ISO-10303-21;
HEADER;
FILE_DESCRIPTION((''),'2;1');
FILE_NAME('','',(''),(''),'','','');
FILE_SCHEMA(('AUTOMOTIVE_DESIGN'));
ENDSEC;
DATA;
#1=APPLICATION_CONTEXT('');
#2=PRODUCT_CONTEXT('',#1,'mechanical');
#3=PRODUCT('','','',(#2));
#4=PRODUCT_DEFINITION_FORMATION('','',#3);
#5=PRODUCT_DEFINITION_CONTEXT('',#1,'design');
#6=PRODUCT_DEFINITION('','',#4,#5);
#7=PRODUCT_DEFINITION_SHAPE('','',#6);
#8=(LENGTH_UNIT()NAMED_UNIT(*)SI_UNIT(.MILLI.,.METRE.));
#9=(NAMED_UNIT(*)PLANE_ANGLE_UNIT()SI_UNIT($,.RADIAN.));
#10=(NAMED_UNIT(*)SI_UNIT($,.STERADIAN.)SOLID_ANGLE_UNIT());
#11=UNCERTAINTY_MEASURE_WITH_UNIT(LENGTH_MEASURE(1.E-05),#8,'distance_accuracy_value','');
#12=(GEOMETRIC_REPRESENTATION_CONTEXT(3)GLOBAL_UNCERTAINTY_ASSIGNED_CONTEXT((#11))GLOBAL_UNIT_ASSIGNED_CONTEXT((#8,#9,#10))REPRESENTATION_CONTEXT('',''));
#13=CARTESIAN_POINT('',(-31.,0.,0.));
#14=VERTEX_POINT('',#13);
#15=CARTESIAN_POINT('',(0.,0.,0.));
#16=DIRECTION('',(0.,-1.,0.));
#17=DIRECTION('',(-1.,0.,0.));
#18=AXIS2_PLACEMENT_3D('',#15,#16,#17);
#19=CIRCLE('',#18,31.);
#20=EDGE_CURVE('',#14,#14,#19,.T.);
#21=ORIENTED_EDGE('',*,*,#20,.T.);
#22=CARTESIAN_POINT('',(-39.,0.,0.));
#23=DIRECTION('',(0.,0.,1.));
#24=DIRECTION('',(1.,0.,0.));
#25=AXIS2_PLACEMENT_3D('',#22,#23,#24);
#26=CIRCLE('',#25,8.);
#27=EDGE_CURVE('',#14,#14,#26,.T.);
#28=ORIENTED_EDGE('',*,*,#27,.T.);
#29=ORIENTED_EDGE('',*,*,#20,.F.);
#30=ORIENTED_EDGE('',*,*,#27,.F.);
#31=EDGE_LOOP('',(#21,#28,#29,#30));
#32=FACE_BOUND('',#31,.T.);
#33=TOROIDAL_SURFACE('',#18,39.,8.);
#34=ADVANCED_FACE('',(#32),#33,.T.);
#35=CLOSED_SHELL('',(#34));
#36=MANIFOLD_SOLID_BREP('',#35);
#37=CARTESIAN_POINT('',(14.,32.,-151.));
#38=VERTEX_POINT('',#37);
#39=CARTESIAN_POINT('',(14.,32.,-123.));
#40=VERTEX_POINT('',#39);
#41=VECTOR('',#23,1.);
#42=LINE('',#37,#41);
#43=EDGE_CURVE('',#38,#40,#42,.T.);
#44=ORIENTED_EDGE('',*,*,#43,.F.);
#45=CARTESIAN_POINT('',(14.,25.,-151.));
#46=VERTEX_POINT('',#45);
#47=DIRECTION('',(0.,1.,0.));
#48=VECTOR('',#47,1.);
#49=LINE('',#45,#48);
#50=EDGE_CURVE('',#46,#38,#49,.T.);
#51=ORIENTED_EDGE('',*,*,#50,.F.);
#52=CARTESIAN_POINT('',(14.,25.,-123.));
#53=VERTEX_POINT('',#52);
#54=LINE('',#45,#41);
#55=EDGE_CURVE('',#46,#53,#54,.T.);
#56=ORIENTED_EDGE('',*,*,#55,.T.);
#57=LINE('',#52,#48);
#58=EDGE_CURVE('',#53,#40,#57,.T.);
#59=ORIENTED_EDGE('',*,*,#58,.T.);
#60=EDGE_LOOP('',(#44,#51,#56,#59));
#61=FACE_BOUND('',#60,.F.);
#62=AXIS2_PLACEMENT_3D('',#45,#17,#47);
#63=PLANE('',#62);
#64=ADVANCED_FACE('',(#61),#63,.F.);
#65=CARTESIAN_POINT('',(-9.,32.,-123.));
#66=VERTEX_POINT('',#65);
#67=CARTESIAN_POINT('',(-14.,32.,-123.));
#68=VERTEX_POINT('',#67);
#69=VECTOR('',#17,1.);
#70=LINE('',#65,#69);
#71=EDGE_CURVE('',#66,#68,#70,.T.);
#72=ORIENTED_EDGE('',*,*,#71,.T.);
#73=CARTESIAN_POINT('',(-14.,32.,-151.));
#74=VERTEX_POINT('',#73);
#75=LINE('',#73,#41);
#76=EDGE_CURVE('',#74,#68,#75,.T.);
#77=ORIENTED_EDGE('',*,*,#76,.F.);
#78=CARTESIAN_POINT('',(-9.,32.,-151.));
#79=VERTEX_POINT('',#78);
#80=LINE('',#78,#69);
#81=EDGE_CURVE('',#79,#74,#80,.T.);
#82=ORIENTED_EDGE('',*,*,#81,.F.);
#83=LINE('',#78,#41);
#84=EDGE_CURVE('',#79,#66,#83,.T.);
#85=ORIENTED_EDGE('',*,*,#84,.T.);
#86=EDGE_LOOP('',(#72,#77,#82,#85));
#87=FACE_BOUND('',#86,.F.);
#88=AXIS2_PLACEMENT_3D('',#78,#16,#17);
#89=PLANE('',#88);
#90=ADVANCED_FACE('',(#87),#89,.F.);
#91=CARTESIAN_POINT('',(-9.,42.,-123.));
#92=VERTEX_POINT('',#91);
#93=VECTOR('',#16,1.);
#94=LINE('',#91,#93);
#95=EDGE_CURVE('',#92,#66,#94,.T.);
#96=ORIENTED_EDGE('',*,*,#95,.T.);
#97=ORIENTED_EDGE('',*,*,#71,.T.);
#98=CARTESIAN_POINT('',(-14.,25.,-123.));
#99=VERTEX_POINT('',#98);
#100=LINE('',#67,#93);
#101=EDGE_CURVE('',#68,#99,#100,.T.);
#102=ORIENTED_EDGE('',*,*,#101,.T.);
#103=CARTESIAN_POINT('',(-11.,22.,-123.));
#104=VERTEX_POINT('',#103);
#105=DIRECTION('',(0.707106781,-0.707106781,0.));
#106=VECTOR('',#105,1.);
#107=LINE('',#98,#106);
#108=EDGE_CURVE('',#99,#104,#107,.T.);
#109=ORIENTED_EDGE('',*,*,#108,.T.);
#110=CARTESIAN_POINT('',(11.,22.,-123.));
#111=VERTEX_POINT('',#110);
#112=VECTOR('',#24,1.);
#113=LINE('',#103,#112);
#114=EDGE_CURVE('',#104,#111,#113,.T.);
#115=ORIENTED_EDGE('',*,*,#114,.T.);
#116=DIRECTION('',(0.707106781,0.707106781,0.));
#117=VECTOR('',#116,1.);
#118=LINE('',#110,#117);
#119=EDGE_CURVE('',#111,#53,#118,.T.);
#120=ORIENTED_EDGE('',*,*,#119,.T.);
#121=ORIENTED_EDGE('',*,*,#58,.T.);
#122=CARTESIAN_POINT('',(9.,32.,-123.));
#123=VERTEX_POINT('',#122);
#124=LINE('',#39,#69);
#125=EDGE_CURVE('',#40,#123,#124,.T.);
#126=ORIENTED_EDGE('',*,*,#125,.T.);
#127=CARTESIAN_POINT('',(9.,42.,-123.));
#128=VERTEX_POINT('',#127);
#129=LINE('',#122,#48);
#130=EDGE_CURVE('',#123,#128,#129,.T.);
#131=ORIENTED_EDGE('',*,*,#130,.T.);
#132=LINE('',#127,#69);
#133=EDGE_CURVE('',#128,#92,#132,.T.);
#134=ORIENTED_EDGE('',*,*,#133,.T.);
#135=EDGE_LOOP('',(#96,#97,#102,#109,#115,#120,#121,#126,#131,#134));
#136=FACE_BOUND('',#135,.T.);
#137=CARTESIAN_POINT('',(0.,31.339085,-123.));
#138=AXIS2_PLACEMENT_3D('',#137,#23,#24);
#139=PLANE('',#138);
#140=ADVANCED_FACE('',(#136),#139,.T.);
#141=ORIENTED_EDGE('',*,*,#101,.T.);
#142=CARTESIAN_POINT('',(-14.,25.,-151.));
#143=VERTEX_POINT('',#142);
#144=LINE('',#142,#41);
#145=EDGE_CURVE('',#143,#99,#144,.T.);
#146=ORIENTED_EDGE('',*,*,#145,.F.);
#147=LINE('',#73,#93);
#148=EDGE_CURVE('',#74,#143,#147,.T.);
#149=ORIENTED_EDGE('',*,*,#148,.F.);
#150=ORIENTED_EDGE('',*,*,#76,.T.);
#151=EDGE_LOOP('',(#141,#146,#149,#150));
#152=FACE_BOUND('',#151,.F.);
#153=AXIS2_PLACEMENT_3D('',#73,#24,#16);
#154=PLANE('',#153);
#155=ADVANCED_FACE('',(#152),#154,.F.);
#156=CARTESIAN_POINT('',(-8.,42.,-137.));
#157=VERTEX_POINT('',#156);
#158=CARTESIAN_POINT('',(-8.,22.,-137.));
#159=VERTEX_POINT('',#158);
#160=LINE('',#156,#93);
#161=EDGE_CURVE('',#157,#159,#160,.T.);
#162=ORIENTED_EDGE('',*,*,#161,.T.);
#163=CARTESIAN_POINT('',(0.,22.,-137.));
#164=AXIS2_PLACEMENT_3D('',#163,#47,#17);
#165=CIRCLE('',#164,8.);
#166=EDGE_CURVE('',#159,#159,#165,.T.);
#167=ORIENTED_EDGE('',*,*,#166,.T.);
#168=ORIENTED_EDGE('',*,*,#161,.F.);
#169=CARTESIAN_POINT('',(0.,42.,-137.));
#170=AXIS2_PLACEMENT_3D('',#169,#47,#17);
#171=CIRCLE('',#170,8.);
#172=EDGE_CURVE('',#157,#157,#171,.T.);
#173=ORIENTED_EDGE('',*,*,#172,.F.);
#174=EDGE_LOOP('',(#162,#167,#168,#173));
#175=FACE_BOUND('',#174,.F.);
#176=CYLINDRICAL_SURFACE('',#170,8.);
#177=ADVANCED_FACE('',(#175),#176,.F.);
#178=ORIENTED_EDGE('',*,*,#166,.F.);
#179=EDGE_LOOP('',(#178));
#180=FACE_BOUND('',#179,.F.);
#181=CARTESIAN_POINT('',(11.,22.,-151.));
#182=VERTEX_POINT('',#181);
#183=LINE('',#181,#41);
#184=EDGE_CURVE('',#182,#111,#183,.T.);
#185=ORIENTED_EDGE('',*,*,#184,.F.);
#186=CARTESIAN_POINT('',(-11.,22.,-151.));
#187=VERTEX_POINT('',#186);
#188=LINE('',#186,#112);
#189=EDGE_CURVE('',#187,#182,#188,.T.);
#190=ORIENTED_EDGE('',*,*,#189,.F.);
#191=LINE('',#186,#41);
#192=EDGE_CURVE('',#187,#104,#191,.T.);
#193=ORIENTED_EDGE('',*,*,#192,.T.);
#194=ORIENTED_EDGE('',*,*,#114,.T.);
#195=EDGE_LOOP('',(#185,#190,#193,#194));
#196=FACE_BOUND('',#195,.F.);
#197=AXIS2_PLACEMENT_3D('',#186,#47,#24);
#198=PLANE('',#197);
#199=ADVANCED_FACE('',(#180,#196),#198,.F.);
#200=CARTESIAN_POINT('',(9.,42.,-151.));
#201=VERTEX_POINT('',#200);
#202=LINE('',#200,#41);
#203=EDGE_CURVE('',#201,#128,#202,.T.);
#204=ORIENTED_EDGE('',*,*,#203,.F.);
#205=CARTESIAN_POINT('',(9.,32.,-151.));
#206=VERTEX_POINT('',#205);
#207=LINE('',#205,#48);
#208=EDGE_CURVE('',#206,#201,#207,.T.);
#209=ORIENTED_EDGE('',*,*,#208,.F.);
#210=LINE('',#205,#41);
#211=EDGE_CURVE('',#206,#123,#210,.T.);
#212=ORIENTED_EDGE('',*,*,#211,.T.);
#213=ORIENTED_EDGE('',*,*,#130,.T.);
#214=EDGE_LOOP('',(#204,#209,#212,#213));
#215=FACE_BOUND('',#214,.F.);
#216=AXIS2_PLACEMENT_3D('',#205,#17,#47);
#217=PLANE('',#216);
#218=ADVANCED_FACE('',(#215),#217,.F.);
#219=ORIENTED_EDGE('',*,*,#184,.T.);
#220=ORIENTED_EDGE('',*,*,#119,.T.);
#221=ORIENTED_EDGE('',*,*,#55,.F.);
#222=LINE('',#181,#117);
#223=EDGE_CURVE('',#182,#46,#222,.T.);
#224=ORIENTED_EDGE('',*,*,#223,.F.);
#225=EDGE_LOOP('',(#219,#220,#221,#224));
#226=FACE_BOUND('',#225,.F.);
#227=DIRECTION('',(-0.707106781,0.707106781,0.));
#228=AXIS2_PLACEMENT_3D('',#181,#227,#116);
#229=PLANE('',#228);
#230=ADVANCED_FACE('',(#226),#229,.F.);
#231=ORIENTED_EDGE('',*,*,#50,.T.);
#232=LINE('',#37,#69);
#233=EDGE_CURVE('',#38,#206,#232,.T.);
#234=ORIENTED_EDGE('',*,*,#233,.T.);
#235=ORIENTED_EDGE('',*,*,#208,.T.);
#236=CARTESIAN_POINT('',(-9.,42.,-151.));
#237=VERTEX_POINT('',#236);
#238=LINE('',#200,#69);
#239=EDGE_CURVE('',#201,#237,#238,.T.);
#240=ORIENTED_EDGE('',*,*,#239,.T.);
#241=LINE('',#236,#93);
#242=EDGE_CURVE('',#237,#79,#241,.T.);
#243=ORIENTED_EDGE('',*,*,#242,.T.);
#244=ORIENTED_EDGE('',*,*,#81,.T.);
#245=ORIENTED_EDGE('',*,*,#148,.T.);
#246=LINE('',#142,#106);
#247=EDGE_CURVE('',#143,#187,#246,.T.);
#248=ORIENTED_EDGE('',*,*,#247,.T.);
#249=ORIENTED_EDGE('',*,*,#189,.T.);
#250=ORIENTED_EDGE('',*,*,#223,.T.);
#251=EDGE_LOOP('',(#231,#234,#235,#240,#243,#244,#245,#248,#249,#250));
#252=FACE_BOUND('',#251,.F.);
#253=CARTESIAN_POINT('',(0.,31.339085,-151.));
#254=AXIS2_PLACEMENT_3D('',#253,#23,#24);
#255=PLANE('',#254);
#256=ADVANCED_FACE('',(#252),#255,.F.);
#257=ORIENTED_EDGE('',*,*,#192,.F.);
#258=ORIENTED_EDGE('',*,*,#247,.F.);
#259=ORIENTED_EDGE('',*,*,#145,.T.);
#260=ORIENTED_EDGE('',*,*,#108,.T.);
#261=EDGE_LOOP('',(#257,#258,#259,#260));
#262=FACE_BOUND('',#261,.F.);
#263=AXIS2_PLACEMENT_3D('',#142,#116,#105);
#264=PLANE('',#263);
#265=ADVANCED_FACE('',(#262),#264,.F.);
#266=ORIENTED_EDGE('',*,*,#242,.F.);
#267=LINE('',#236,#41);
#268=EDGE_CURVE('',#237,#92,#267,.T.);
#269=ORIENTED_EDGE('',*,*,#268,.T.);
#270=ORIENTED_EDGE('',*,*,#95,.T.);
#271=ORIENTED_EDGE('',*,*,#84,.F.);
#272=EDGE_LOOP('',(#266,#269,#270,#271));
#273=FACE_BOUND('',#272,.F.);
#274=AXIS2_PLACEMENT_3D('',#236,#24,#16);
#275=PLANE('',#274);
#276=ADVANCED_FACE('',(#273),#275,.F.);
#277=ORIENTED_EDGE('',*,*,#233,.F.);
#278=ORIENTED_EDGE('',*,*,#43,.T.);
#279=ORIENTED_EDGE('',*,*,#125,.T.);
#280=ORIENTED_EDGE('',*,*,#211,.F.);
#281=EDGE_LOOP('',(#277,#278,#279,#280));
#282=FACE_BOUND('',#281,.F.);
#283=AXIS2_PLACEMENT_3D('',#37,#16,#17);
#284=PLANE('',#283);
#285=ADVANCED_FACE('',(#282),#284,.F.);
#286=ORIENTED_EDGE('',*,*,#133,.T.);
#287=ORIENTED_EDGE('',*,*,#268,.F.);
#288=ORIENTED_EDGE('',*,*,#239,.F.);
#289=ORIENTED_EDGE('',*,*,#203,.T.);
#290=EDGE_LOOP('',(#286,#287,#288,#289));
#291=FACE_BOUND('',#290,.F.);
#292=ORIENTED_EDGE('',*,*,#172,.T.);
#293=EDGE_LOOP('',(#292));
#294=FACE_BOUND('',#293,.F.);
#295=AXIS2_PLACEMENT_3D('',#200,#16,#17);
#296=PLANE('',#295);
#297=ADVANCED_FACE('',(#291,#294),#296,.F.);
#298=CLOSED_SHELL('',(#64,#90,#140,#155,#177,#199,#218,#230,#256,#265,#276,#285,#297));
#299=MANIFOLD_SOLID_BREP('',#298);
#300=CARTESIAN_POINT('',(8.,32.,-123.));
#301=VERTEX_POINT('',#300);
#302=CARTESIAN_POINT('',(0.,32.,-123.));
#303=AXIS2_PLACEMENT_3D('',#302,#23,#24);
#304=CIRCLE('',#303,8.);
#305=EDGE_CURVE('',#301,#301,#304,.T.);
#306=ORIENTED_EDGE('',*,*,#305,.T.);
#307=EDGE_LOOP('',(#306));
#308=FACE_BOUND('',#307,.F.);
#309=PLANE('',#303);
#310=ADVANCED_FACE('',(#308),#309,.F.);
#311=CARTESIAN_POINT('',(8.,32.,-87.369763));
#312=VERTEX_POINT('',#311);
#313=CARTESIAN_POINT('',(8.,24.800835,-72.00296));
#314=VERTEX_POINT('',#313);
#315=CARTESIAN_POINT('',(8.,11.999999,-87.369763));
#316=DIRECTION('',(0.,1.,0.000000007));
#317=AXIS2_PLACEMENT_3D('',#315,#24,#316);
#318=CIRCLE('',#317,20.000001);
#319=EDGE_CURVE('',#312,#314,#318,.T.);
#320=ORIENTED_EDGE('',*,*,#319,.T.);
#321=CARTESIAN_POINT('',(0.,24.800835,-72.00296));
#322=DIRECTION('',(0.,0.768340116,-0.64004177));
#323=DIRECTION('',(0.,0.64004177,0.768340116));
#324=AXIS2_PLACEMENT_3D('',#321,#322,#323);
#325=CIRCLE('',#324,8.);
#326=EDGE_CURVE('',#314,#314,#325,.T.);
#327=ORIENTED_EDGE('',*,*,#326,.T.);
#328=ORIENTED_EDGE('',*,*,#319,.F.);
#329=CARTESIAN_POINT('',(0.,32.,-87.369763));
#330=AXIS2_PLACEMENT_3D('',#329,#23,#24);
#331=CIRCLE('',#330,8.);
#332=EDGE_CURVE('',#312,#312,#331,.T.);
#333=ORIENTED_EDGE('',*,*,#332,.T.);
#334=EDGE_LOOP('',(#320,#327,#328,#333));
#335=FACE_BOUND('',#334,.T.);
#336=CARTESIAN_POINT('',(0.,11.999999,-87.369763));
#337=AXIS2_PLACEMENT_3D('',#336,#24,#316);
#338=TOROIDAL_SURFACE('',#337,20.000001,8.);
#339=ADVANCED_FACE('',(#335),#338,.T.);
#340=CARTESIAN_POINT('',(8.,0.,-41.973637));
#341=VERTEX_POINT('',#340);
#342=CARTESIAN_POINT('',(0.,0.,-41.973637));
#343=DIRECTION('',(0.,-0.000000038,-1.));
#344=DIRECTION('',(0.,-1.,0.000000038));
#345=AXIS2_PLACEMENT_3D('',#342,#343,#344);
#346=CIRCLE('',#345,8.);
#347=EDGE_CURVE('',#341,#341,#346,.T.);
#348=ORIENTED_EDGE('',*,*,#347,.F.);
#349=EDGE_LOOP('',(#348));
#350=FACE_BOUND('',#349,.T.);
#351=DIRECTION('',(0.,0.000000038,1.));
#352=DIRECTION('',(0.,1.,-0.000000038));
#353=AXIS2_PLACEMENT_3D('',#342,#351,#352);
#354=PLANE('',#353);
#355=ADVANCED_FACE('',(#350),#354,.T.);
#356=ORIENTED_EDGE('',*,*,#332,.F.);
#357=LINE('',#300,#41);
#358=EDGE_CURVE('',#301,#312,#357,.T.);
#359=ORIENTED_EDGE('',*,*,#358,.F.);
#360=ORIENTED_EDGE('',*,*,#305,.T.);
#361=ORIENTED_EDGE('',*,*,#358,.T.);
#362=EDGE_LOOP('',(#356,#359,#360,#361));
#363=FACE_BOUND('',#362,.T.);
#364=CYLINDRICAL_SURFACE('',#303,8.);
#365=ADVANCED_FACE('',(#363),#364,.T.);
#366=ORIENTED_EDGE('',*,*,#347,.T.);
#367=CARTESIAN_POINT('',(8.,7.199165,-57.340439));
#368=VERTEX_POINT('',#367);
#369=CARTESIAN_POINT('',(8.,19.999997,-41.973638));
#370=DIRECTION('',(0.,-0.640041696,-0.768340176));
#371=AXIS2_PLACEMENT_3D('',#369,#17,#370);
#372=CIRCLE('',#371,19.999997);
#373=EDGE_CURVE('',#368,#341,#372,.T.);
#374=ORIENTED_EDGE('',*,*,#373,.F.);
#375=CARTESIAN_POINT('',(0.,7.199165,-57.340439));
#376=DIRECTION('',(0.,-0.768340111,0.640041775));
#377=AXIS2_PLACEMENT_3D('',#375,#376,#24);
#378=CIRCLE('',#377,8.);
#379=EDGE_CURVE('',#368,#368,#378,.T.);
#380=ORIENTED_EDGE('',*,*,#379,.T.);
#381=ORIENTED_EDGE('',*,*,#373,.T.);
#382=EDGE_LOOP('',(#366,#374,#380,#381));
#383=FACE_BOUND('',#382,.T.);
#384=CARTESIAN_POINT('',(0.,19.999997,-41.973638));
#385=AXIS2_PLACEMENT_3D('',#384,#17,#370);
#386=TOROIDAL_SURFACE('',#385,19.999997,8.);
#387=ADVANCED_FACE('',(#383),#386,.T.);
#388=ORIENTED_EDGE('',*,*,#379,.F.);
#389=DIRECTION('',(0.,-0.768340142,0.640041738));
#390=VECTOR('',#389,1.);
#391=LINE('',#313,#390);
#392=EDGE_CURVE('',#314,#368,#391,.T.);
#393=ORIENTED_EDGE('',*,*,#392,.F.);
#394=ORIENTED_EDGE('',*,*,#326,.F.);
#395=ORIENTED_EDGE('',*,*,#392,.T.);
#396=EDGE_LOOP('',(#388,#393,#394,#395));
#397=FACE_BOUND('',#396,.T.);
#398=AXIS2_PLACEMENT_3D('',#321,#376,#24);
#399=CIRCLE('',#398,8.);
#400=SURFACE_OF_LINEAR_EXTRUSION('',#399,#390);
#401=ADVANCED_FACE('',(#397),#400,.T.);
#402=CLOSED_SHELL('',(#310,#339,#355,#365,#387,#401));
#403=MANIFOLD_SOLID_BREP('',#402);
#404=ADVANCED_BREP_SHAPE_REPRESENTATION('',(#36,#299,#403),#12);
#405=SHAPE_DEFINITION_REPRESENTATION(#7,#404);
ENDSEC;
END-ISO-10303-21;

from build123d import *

# Parameters (mm, degrees)
F1_R     = 8
F7_DEPTH = 28
F8_R     = 8
F9_DEPTH = 25
F11_R    = 8


with BuildPart() as f3:
    # F1 (on Top) → F3 (revolve)
    with BuildSketch(Plane.XY):
        with Locations((-39, 0)):
            Circle(F1_R)
    revolve(axis=Axis((0, -30, 0), (0, -1, 0)))


with BuildPart() as f7:
    # F6 (on offset) → F7 (new body)
    with BuildSketch(Plane.XY.offset(-151)):
        Polygon((-11, 22), (0, 22), (11, 22), (14, 25), (14, 32), (9, 32), (9, 42), (0, 42), (-9, 42), (-9, 32), (-14, 32), (-14, 25), align=None)
    extrude(amount=F7_DEPTH)

    # F8 (on face) → F9 (cut)
    with BuildSketch(Plane(origin=(0, 42, 0), x_dir=(-1, 0, 0), z_dir=(0, 1, 0))):
        with Locations((0, -137)):
            Circle(F8_R)
    extrude(amount=-F9_DEPTH, mode=Mode.SUBTRACT)


with BuildPart() as f12:
    # F12: sweep along a path in F10
    with BuildLine(Plane.YZ) as f12_path:
        Line((32, -123), (32, -87.369763))
        ThreePointArc((32, -87.369763), (30.111001, -78.884974), (24.800835, -72.00296))
        Line((24.800835, -72.00296), (7.199165, -57.340439))
        ThreePointArc((7.199165, -57.340439), (1.888999, -50.458426), (0, -41.973637))
    # F11 (on face) → F12 (sweep)
    with BuildSketch(Plane.XY.offset(-123)):
        with Locations((0, 32)):
            Circle(F11_R)
    sweep(path=f12_path.line)


solid = Compound([f3.part, f7.part, f12.part])
